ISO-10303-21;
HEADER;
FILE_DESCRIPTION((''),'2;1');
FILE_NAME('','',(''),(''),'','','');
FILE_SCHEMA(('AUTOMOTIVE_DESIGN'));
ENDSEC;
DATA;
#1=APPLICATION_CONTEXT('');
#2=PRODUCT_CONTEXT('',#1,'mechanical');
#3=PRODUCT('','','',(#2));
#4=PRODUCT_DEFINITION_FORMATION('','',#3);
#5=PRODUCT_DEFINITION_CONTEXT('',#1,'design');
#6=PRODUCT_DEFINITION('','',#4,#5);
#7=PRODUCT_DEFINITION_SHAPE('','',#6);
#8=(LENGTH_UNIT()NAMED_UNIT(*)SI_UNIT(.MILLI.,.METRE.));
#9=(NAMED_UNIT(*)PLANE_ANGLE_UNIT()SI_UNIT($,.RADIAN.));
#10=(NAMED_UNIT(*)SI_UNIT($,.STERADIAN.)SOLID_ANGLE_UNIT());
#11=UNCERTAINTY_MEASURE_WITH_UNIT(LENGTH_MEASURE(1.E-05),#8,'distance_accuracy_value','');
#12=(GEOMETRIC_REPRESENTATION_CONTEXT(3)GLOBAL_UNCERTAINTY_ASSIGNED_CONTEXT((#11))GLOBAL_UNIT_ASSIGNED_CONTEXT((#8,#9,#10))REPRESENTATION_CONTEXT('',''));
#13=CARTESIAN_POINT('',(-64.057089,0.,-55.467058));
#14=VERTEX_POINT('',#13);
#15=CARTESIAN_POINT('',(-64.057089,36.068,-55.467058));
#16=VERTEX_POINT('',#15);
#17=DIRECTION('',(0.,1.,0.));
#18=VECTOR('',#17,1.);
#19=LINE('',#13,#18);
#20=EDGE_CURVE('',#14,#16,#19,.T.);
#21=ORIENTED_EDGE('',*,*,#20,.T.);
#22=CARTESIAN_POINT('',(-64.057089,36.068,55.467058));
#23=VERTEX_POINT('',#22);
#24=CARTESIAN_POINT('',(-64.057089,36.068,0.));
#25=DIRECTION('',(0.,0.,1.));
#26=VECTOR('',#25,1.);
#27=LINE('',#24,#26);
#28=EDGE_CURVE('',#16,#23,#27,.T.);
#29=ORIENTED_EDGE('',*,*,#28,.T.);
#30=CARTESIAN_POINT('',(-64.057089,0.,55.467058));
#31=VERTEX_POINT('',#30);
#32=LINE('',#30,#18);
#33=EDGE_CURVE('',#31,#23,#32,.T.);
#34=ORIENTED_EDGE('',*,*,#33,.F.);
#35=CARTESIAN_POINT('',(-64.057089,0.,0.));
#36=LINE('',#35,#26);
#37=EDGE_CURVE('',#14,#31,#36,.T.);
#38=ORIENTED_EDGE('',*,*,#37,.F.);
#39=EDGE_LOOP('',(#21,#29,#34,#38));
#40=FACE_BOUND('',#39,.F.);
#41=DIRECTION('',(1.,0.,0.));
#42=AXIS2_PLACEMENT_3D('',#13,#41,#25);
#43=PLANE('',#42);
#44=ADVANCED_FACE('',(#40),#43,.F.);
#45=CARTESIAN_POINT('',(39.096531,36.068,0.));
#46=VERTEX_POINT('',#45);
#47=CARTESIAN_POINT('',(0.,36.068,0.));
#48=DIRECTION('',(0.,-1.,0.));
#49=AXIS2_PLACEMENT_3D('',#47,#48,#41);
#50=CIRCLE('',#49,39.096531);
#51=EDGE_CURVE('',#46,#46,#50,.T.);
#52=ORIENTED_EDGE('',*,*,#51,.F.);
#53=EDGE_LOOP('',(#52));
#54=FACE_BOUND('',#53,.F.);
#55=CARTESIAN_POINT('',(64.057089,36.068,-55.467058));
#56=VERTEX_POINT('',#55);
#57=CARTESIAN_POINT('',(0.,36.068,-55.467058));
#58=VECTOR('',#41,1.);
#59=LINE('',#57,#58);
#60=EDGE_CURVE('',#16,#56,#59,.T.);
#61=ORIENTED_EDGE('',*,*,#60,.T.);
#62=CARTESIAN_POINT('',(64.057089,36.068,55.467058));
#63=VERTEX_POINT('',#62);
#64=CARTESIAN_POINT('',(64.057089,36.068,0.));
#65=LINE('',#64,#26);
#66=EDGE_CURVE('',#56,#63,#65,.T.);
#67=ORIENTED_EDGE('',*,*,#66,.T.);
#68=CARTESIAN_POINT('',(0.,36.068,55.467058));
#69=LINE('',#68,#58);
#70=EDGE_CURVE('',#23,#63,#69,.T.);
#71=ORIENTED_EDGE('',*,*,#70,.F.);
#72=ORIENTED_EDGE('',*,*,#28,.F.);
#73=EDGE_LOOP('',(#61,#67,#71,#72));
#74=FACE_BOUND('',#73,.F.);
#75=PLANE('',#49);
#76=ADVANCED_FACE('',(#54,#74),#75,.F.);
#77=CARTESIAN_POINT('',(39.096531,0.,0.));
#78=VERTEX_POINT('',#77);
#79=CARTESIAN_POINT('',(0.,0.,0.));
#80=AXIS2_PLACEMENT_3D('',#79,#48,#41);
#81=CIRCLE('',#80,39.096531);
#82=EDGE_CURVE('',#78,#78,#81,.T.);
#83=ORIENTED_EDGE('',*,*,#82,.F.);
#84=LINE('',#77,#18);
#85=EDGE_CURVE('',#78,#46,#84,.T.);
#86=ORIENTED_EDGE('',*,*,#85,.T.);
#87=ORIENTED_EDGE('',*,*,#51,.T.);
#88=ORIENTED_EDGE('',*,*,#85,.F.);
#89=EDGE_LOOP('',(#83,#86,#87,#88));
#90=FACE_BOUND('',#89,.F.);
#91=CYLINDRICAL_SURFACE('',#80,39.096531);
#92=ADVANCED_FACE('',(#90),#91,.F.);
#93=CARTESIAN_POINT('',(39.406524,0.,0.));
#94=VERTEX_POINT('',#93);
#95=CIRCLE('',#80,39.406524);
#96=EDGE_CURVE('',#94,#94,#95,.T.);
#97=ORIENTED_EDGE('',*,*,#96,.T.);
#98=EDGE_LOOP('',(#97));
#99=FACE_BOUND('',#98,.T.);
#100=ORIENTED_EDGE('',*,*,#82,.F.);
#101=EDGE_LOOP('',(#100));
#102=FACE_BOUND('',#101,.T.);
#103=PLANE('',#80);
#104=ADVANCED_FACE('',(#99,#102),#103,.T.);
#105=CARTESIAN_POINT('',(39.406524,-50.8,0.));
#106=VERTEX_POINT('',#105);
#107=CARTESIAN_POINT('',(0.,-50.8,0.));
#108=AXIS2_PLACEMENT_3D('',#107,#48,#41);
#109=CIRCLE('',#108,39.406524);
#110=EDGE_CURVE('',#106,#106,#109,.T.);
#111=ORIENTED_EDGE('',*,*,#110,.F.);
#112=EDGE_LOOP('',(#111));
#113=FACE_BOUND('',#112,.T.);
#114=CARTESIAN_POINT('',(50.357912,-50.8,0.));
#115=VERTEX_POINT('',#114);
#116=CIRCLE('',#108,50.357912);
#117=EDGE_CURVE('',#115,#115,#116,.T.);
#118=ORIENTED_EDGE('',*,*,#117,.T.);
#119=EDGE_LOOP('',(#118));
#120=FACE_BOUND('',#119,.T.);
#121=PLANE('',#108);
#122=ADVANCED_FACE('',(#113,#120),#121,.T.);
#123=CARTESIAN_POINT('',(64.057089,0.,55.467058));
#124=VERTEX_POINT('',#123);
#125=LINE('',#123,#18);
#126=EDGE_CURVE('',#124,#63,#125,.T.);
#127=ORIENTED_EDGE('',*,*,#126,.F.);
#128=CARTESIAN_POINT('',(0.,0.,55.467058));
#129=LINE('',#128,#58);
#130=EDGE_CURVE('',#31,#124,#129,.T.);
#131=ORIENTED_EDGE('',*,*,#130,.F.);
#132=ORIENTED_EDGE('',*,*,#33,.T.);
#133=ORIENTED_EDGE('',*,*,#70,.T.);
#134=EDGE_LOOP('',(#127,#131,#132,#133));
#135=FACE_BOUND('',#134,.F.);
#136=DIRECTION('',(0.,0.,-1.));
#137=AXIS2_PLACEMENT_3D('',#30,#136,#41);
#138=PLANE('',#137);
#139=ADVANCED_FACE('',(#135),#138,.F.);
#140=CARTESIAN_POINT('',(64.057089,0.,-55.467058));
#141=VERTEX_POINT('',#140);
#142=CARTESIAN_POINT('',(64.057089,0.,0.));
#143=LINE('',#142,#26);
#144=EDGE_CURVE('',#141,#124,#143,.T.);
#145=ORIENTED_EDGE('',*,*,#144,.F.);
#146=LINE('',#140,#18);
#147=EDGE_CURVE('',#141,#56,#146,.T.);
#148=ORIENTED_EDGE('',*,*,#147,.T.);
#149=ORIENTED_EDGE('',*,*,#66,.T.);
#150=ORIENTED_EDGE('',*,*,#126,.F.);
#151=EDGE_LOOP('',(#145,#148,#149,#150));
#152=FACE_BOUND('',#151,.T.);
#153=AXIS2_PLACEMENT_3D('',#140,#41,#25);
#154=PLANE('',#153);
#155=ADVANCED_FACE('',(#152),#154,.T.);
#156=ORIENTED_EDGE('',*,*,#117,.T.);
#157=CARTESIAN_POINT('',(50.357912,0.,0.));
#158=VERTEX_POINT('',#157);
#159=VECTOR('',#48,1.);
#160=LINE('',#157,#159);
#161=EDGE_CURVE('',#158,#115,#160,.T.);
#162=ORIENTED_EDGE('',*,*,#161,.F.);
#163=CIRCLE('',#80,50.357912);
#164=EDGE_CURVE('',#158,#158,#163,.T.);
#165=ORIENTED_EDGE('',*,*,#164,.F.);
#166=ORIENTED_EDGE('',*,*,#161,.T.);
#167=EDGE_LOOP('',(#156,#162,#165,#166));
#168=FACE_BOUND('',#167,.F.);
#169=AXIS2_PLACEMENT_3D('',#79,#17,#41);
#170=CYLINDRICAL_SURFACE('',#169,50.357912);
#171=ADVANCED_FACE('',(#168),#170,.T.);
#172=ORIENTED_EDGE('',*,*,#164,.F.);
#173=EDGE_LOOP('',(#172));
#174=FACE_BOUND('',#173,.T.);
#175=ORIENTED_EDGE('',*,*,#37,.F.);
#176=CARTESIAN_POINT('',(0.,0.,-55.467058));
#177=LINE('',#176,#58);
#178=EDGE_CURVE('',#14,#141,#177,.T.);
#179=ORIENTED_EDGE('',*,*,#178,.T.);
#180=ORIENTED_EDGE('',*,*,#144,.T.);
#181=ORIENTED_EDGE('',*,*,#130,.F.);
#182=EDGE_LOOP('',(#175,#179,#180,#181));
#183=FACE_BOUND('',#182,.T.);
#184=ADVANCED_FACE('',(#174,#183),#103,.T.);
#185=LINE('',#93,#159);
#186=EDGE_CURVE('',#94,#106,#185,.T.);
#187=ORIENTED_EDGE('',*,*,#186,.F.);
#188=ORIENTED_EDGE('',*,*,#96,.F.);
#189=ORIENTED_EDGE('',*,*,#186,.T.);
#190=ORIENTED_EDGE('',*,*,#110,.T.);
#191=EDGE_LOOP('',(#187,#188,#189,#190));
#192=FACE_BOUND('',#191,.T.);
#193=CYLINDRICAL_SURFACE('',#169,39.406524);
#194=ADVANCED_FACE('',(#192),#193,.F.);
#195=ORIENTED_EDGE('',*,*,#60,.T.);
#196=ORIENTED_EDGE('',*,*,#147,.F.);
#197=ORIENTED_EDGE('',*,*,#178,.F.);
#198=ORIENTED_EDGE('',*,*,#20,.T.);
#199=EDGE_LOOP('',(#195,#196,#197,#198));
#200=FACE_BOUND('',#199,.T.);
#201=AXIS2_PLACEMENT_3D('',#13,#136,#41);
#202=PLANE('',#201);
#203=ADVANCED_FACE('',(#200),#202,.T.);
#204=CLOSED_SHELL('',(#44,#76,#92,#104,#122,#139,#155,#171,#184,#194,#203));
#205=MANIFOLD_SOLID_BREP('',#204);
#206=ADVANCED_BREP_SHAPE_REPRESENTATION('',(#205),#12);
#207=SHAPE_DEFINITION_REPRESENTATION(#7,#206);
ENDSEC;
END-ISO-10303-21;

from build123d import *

# Parameters (mm, degrees)
F0_W     = 128.114178
F0_H     = 110.934116
F0_R     = 39.096531
F1_DEPTH = 36.068
F2_R     = 50.357912
F2_R_2   = 39.406524
F3_DEPTH = 50.8


with BuildPart() as f1:
    # F0 (on Front) → F1 (new body)
    with BuildSketch(Plane.XZ):
        Rectangle(F0_W, F0_H)
        Circle(F0_R, mode=Mode.SUBTRACT)
    extrude(amount=-F1_DEPTH)

    # F2 (on Front) → F3 (join)
    with BuildSketch(Plane.XZ):
        Circle(F2_R)
        Circle(F2_R_2, mode=Mode.SUBTRACT)
    extrude(amount=F3_DEPTH)


solid = f1.part
